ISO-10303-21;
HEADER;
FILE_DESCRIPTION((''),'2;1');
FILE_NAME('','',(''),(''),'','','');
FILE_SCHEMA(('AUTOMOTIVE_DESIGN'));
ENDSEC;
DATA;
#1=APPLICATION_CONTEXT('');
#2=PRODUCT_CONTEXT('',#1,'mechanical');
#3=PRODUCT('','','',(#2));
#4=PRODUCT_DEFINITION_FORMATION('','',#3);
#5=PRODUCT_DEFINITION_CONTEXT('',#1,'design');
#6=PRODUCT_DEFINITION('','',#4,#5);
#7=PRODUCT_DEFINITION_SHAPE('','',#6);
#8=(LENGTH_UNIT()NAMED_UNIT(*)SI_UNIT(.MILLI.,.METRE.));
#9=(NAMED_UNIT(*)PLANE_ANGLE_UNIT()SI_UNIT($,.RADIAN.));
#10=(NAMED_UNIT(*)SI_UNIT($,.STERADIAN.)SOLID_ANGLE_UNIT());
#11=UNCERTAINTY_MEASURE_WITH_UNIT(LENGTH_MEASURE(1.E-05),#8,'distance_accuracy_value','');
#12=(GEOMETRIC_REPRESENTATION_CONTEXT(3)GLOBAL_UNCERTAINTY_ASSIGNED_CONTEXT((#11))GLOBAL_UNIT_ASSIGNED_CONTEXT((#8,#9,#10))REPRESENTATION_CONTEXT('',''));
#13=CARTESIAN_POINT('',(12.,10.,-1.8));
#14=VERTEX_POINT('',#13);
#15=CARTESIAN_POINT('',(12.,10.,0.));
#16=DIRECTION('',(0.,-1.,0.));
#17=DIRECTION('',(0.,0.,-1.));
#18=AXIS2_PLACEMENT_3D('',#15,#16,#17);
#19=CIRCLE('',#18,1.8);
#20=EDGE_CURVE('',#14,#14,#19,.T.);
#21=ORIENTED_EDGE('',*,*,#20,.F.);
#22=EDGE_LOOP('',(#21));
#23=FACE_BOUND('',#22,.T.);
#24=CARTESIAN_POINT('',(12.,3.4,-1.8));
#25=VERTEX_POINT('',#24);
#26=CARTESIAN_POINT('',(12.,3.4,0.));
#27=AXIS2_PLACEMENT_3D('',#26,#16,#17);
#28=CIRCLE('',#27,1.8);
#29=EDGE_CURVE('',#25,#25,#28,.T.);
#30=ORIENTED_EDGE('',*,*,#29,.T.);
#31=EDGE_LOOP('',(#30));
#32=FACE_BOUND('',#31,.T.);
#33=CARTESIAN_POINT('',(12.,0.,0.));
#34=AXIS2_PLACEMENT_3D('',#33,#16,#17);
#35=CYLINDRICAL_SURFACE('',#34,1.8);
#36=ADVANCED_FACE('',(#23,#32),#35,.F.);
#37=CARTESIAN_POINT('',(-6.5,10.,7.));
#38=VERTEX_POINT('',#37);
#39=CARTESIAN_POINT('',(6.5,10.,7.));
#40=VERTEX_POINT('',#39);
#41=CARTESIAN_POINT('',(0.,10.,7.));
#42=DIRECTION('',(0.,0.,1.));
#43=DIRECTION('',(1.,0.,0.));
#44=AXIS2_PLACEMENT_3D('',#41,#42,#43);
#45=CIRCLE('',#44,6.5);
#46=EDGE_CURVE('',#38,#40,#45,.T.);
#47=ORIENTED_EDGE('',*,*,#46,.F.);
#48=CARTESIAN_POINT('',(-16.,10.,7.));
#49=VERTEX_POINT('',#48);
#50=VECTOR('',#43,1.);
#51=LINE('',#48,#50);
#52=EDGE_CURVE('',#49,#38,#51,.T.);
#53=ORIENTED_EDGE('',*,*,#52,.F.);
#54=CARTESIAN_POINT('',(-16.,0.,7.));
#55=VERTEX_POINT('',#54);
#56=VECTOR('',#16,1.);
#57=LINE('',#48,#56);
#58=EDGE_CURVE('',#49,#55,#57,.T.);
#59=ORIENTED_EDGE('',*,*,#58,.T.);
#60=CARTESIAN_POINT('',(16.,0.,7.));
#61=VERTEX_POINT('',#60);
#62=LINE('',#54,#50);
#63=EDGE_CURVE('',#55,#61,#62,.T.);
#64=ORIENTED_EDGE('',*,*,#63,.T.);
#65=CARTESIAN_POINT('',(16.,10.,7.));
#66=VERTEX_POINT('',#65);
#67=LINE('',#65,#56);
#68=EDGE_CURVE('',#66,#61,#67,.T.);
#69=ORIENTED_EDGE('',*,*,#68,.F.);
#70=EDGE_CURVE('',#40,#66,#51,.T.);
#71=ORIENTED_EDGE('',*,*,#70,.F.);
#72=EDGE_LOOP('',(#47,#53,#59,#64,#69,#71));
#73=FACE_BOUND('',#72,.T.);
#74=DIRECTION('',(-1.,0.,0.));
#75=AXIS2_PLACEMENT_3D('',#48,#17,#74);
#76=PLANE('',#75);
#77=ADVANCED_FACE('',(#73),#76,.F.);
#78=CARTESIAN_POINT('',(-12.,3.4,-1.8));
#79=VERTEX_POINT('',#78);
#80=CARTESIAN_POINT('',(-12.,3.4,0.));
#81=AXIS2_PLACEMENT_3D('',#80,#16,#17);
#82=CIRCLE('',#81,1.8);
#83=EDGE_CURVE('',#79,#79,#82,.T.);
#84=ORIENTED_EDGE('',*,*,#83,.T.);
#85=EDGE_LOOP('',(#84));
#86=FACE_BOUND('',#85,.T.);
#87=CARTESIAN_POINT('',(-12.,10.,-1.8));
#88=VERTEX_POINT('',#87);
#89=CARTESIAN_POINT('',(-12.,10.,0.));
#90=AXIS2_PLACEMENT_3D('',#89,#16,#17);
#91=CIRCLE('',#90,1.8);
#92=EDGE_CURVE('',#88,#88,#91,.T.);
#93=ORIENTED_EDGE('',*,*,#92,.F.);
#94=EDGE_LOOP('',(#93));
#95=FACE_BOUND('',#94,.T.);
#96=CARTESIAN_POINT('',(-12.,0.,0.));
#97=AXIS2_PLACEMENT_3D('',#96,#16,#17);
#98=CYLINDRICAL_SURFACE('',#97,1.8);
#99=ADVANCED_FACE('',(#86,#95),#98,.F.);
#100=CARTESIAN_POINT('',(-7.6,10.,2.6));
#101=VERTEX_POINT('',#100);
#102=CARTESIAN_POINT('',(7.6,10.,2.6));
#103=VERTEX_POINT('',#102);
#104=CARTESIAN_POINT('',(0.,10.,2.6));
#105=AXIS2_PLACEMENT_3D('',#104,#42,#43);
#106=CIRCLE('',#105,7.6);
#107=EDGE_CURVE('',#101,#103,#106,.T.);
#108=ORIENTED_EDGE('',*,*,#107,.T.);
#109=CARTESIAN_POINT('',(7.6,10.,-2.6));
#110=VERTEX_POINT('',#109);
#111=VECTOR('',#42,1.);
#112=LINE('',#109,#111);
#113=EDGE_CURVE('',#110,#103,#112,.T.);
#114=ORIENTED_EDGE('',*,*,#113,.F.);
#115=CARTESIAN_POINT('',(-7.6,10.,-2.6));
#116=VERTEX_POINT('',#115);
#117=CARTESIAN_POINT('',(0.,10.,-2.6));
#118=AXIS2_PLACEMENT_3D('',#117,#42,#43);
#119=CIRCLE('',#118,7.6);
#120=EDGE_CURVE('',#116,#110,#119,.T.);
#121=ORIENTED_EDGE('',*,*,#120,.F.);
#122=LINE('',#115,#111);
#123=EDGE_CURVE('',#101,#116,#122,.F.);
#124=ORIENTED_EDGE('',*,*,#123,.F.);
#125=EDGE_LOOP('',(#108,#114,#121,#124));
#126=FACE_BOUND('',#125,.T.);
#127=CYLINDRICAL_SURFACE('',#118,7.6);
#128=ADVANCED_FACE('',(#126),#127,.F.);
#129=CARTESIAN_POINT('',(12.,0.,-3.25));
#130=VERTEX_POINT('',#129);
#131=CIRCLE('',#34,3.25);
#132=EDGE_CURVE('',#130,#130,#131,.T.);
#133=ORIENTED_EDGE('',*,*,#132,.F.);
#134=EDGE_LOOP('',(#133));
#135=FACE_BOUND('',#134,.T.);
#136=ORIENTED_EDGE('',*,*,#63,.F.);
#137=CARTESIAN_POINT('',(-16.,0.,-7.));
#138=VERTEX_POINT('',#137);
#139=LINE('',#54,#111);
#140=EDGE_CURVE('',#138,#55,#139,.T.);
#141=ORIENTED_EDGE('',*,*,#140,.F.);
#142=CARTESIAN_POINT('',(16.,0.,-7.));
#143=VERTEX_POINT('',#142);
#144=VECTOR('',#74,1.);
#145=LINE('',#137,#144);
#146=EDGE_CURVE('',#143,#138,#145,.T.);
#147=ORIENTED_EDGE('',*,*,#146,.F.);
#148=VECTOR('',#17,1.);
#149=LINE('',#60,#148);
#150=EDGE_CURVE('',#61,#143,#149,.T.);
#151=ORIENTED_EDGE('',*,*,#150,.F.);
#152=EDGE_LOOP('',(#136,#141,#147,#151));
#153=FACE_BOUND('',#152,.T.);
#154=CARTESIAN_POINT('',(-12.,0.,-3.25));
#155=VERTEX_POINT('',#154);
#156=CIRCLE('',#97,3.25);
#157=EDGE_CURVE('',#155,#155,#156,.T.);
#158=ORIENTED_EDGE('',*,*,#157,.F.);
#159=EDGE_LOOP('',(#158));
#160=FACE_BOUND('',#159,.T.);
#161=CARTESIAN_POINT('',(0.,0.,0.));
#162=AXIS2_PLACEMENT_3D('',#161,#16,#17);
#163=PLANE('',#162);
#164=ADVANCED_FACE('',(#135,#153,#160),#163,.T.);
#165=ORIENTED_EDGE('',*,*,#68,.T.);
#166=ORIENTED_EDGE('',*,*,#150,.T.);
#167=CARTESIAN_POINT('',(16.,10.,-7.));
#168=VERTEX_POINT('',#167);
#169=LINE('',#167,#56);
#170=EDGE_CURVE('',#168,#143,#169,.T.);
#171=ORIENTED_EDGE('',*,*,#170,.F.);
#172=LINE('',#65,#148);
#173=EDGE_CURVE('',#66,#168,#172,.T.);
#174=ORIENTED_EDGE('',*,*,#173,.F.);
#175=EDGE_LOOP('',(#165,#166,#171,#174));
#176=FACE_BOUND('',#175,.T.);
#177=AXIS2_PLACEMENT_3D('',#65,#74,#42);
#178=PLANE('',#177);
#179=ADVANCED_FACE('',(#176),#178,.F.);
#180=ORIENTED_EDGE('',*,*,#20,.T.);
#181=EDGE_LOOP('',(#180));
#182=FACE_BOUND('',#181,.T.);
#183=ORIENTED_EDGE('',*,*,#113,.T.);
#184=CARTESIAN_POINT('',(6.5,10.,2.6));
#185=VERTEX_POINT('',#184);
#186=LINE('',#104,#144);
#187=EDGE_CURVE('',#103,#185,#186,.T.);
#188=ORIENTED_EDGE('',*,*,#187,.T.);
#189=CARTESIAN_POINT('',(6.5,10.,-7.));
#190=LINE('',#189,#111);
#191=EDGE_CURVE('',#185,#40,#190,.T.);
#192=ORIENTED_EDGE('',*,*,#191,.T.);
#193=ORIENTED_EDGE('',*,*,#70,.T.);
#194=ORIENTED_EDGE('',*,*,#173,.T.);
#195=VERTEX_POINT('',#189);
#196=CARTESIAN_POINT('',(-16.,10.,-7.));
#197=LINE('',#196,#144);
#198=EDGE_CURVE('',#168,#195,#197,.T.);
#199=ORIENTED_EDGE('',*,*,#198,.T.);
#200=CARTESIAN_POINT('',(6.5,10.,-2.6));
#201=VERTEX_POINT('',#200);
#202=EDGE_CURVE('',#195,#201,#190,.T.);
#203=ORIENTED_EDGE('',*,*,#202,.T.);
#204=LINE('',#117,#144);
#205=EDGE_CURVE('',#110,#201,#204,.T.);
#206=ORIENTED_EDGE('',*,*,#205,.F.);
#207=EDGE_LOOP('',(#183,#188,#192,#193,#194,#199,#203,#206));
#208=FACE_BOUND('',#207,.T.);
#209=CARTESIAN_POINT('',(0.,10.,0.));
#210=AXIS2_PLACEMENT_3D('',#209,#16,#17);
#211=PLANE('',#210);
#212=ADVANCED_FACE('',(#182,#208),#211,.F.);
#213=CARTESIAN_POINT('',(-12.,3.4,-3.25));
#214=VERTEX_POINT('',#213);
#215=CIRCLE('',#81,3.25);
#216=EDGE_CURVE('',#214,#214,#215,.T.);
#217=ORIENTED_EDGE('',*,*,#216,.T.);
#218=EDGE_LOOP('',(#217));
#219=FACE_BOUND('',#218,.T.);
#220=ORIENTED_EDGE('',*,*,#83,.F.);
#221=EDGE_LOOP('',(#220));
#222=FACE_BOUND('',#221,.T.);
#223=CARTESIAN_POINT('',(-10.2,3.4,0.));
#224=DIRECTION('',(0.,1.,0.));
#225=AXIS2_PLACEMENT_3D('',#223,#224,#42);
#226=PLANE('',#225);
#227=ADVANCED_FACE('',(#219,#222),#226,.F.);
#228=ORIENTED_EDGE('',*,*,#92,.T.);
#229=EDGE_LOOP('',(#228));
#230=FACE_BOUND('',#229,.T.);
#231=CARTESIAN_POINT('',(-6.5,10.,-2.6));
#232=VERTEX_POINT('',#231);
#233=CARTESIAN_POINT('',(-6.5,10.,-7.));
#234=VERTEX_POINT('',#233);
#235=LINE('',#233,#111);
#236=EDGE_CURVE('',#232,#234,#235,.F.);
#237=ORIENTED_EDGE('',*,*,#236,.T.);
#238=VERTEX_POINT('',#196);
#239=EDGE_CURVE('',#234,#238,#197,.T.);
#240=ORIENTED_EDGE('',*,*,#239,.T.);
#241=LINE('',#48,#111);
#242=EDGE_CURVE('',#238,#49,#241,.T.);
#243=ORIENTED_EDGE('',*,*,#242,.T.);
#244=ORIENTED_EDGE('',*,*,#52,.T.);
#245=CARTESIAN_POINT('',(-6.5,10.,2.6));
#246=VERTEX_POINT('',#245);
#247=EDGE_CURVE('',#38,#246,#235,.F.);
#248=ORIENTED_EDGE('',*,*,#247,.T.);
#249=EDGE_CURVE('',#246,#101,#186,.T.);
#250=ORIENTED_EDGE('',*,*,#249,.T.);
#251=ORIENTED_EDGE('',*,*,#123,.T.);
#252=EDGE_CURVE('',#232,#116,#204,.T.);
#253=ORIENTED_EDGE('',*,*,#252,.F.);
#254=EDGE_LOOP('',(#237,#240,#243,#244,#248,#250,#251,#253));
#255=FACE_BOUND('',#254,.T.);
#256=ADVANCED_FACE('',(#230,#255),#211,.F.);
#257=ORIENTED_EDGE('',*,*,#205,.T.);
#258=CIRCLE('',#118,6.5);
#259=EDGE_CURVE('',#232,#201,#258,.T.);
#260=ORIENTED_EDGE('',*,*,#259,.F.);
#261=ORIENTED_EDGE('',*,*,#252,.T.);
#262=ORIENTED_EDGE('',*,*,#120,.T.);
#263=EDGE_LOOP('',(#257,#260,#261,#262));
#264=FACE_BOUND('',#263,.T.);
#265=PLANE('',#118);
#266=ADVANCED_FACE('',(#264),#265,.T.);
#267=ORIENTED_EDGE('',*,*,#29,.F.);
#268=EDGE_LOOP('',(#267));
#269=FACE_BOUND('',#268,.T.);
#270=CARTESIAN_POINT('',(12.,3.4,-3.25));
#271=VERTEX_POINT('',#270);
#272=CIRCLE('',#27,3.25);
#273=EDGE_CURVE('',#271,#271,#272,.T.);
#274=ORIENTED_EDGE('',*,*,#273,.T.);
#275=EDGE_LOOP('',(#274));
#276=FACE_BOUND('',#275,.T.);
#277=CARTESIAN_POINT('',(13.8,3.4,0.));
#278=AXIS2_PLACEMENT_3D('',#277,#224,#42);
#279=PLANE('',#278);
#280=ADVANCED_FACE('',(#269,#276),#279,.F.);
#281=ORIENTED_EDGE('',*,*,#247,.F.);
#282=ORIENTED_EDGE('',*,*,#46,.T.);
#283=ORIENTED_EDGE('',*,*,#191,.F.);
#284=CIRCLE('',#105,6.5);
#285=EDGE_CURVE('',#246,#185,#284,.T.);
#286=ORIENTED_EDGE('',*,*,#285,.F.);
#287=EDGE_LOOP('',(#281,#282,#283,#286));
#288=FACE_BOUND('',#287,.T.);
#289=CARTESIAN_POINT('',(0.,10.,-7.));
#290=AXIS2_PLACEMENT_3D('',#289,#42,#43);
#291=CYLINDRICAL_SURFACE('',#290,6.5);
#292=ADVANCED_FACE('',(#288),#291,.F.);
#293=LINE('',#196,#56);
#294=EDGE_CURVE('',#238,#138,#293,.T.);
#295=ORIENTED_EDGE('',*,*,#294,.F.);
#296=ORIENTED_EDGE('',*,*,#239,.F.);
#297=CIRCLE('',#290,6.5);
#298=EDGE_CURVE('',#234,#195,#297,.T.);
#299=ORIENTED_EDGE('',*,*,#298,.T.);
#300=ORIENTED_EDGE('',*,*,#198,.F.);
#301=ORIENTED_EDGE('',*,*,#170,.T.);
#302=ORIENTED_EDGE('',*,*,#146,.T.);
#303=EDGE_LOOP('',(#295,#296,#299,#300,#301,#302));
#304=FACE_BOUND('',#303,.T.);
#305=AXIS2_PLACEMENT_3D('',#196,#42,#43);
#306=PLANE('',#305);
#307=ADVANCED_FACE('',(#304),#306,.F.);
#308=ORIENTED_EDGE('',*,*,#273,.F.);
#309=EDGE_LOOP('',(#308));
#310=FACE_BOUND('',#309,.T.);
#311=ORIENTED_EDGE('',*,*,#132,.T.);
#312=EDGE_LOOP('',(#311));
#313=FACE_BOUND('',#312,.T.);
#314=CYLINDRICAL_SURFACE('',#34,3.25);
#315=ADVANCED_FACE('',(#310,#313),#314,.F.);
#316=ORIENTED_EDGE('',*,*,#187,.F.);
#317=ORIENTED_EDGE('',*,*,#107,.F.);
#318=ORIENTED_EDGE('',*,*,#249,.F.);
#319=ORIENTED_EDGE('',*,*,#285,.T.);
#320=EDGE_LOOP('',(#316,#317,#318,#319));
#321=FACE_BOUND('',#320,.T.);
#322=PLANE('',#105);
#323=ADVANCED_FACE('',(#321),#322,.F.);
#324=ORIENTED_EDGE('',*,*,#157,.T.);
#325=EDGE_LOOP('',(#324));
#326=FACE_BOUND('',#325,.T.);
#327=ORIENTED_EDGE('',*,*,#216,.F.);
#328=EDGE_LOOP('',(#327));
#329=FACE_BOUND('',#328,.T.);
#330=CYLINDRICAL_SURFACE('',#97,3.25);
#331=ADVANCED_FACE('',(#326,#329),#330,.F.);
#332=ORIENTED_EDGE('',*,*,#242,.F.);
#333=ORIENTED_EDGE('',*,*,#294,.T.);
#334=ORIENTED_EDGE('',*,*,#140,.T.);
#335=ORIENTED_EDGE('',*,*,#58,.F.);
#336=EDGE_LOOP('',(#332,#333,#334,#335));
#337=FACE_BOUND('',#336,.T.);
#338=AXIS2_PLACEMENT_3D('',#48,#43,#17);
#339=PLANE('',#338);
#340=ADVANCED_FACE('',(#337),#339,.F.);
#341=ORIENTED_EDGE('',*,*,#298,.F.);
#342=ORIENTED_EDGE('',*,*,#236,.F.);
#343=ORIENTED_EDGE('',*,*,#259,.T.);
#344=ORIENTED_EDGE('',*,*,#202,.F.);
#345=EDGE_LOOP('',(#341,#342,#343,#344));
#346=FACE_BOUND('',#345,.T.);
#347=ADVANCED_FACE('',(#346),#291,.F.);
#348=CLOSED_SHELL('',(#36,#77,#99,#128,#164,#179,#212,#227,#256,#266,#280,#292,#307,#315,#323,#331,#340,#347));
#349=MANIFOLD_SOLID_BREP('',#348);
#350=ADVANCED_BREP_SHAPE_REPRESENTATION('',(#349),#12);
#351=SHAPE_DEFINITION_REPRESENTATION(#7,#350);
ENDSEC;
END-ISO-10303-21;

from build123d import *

# Parameters (mm, degrees)
SKETCH_1_W                   = 32
SKETCH_1_H                   = 14
EXTRUDE_1_DEPTH              = 10
SKETCH_2_R                   = 7.6
CUT_EXTRUDE_1_DEPTH          = 2.6
CUT_EXTRUDE_2_DEPTH          = 21.124611797
CUT_EXTRUDE_2_DEPTH_BACK     = 21.124611797
SKETCH_3_R                   = 6.5
SKETCH_4_R                   = 1
CUT_EXTRUDE_3_DEPTH          = 21.124611797
HOLE_WIZARD_M3_1_D           = 3.6
HOLE_WIZARD_M3_1_DEPTH       = 10
HOLE_WIZARD_M3_1_CBORE_D     = 6.5
HOLE_WIZARD_M3_1_CBORE_DEPTH = 3.4


with BuildPart() as part:
    # 草圖1 → 填料-伸長1 (new body)
    with BuildSketch(Plane(origin=(0, 0, 0), x_dir=(1, 0, 0), z_dir=(0, 1, 0))):
        Rectangle(SKETCH_1_W, SKETCH_1_H)
    extrude(amount=EXTRUDE_1_DEPTH)

    # 草圖2 → 除料-伸長1 (cut, symmetric)
    with BuildSketch(Plane.XY):
        with Locations((0, 10)):
            Circle(SKETCH_2_R)
    extrude(amount=CUT_EXTRUDE_1_DEPTH, both=True, mode=Mode.SUBTRACT)

    # 草圖3 → 除料-伸長2 (cut, two sides: drawn at the far end of the back side and taken through both)
    with BuildSketch(Plane.XY.offset(-CUT_EXTRUDE_2_DEPTH_BACK)):
        with Locations((0, 10)):
            Circle(SKETCH_3_R)
    extrude(amount=CUT_EXTRUDE_2_DEPTH + CUT_EXTRUDE_2_DEPTH_BACK, mode=Mode.SUBTRACT)

    # 草圖4 → 除料-伸長3 (cut, through all)
    with BuildSketch(Plane(origin=(0, 10, 0), x_dir=(1, 0, 0), z_dir=(0, 1, 0))):
        with Locations(Location((-12, 0, 0), (0, 0, 270))):
            Circle(SKETCH_4_R)
        with Locations(Location((12, 0, 0), (0, 0, 90))):
            Circle(SKETCH_4_R)
    extrude(amount=-CUT_EXTRUDE_3_DEPTH, mode=Mode.SUBTRACT)

    # M3 六角承窩頭蓋螺釘的柱孔1
    with Locations(Plane(origin=(0, 0, 0), x_dir=(-1, 0, 0), z_dir=(0, -1, 0))):
        with Locations((-12, 0), (12, 0)):
            CounterBoreHole(HOLE_WIZARD_M3_1_D / 2, HOLE_WIZARD_M3_1_CBORE_D / 2, HOLE_WIZARD_M3_1_CBORE_DEPTH, depth=HOLE_WIZARD_M3_1_DEPTH)


solid = part.part
